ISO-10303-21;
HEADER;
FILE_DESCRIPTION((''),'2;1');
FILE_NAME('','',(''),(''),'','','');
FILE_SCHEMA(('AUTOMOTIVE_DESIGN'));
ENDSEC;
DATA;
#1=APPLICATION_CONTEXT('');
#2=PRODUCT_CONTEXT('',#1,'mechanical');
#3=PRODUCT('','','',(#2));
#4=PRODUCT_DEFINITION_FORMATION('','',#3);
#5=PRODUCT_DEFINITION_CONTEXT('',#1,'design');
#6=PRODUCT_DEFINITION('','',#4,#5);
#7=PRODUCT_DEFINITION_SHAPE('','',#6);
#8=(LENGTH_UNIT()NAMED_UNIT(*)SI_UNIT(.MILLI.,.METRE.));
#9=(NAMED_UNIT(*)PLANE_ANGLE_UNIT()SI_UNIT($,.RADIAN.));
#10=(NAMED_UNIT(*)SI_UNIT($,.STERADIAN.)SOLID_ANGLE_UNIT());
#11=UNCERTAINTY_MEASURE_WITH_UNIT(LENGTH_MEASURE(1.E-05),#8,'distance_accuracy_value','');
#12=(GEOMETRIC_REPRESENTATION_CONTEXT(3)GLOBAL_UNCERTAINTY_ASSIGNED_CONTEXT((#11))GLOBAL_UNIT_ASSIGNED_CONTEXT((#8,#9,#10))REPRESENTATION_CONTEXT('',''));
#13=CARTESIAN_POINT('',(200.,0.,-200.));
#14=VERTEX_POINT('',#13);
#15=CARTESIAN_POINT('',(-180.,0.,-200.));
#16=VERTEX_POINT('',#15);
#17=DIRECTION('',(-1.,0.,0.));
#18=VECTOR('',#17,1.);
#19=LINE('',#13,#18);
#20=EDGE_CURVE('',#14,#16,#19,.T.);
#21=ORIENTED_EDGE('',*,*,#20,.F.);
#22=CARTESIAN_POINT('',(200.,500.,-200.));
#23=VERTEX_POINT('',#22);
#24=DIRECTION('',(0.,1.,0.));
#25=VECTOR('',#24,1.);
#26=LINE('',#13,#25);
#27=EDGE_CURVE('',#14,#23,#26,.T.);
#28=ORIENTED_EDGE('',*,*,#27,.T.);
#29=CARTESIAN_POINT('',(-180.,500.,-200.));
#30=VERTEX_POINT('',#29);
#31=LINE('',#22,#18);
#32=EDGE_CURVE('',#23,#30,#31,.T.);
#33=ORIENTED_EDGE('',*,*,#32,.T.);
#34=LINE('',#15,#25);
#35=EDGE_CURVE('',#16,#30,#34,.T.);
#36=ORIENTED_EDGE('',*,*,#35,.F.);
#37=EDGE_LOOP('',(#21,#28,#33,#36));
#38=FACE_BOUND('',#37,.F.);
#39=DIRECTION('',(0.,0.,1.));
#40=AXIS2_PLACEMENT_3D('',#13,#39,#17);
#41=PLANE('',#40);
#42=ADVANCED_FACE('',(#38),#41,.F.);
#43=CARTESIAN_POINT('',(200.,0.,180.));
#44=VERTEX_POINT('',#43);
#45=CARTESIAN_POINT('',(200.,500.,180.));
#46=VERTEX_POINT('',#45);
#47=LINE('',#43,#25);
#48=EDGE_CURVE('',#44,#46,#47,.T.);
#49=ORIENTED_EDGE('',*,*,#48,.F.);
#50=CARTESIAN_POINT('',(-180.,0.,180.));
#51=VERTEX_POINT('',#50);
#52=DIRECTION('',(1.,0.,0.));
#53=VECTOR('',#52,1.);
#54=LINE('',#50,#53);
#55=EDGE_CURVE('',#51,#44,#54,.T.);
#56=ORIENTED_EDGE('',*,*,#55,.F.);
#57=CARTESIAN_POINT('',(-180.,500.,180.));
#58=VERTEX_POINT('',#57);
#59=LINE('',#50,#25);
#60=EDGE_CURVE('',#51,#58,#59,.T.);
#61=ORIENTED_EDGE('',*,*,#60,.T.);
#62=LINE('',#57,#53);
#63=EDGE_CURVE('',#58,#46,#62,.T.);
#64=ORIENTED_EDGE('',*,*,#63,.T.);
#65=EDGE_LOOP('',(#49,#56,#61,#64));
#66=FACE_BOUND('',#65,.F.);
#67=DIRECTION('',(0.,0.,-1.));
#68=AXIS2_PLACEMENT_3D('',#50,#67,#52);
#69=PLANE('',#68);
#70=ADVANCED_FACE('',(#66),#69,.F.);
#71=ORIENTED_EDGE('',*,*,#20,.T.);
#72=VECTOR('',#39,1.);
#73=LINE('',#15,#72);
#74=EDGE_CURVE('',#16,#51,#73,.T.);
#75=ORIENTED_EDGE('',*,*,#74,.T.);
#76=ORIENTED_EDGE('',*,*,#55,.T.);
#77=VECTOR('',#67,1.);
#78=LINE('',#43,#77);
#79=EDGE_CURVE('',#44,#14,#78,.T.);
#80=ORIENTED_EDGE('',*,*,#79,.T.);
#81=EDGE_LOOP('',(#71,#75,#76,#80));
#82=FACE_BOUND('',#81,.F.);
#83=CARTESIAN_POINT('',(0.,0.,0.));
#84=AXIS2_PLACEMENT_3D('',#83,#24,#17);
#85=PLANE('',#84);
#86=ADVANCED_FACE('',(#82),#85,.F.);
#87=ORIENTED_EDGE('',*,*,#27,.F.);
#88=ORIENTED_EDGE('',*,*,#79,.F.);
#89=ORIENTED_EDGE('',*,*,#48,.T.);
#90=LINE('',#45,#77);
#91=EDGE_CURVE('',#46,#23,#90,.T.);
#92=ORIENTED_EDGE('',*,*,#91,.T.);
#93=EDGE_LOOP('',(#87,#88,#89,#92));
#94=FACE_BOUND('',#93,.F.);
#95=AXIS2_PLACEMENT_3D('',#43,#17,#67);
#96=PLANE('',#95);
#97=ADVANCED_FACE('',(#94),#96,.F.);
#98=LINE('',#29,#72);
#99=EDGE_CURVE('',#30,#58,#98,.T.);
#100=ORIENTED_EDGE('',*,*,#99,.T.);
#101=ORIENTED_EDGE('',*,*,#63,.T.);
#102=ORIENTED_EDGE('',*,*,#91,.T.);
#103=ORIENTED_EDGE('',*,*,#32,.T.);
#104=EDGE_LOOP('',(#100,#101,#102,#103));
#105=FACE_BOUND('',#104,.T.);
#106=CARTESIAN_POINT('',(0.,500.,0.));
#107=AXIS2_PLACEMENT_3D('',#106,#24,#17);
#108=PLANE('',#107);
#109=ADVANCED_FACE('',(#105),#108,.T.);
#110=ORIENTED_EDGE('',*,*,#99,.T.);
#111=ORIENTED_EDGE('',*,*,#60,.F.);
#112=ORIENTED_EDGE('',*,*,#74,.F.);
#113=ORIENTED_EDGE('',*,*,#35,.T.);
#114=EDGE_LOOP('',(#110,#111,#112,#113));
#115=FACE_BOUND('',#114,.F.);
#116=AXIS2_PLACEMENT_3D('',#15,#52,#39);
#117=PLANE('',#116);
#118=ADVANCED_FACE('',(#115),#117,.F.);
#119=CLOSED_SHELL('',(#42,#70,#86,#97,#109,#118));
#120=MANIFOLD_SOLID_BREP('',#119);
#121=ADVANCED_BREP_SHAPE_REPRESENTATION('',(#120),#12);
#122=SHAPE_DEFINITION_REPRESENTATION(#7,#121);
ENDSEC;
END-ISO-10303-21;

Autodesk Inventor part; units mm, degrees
ref_plane "YZ Plane" through (0, 0, 0) normal (1, 0, 0) x (0, 1, 0)
ref_plane "XZ Plane" through (0, 0, 0) normal (0, 1, 0) x (-1, 0, 0)
ref_plane "XY Plane" through (0, 0, 0) normal (0, 0, 1) x (1, 0, 0)
sketch "Sketch1" plane through (0, 0, 0) normal (0, 1, 0) x (-1, 0, 0)
  line L0 (180, 180) -> (-200, 180)
  line L1 (-200, 180) -> (-200, -200)
  line L2 (-200, -200) -> (180, -200)
  line L3 (180, -200) -> (180, 180)
  point P0 (0, 0)
  dimension "d0" = 380
  dimension "d1" = 380
  dimension "d2" = 180
  dimension "d3" = 180
extrude "Extrusion1" add sketch "Sketch1" along normal blind 500
properties part number "voron"
